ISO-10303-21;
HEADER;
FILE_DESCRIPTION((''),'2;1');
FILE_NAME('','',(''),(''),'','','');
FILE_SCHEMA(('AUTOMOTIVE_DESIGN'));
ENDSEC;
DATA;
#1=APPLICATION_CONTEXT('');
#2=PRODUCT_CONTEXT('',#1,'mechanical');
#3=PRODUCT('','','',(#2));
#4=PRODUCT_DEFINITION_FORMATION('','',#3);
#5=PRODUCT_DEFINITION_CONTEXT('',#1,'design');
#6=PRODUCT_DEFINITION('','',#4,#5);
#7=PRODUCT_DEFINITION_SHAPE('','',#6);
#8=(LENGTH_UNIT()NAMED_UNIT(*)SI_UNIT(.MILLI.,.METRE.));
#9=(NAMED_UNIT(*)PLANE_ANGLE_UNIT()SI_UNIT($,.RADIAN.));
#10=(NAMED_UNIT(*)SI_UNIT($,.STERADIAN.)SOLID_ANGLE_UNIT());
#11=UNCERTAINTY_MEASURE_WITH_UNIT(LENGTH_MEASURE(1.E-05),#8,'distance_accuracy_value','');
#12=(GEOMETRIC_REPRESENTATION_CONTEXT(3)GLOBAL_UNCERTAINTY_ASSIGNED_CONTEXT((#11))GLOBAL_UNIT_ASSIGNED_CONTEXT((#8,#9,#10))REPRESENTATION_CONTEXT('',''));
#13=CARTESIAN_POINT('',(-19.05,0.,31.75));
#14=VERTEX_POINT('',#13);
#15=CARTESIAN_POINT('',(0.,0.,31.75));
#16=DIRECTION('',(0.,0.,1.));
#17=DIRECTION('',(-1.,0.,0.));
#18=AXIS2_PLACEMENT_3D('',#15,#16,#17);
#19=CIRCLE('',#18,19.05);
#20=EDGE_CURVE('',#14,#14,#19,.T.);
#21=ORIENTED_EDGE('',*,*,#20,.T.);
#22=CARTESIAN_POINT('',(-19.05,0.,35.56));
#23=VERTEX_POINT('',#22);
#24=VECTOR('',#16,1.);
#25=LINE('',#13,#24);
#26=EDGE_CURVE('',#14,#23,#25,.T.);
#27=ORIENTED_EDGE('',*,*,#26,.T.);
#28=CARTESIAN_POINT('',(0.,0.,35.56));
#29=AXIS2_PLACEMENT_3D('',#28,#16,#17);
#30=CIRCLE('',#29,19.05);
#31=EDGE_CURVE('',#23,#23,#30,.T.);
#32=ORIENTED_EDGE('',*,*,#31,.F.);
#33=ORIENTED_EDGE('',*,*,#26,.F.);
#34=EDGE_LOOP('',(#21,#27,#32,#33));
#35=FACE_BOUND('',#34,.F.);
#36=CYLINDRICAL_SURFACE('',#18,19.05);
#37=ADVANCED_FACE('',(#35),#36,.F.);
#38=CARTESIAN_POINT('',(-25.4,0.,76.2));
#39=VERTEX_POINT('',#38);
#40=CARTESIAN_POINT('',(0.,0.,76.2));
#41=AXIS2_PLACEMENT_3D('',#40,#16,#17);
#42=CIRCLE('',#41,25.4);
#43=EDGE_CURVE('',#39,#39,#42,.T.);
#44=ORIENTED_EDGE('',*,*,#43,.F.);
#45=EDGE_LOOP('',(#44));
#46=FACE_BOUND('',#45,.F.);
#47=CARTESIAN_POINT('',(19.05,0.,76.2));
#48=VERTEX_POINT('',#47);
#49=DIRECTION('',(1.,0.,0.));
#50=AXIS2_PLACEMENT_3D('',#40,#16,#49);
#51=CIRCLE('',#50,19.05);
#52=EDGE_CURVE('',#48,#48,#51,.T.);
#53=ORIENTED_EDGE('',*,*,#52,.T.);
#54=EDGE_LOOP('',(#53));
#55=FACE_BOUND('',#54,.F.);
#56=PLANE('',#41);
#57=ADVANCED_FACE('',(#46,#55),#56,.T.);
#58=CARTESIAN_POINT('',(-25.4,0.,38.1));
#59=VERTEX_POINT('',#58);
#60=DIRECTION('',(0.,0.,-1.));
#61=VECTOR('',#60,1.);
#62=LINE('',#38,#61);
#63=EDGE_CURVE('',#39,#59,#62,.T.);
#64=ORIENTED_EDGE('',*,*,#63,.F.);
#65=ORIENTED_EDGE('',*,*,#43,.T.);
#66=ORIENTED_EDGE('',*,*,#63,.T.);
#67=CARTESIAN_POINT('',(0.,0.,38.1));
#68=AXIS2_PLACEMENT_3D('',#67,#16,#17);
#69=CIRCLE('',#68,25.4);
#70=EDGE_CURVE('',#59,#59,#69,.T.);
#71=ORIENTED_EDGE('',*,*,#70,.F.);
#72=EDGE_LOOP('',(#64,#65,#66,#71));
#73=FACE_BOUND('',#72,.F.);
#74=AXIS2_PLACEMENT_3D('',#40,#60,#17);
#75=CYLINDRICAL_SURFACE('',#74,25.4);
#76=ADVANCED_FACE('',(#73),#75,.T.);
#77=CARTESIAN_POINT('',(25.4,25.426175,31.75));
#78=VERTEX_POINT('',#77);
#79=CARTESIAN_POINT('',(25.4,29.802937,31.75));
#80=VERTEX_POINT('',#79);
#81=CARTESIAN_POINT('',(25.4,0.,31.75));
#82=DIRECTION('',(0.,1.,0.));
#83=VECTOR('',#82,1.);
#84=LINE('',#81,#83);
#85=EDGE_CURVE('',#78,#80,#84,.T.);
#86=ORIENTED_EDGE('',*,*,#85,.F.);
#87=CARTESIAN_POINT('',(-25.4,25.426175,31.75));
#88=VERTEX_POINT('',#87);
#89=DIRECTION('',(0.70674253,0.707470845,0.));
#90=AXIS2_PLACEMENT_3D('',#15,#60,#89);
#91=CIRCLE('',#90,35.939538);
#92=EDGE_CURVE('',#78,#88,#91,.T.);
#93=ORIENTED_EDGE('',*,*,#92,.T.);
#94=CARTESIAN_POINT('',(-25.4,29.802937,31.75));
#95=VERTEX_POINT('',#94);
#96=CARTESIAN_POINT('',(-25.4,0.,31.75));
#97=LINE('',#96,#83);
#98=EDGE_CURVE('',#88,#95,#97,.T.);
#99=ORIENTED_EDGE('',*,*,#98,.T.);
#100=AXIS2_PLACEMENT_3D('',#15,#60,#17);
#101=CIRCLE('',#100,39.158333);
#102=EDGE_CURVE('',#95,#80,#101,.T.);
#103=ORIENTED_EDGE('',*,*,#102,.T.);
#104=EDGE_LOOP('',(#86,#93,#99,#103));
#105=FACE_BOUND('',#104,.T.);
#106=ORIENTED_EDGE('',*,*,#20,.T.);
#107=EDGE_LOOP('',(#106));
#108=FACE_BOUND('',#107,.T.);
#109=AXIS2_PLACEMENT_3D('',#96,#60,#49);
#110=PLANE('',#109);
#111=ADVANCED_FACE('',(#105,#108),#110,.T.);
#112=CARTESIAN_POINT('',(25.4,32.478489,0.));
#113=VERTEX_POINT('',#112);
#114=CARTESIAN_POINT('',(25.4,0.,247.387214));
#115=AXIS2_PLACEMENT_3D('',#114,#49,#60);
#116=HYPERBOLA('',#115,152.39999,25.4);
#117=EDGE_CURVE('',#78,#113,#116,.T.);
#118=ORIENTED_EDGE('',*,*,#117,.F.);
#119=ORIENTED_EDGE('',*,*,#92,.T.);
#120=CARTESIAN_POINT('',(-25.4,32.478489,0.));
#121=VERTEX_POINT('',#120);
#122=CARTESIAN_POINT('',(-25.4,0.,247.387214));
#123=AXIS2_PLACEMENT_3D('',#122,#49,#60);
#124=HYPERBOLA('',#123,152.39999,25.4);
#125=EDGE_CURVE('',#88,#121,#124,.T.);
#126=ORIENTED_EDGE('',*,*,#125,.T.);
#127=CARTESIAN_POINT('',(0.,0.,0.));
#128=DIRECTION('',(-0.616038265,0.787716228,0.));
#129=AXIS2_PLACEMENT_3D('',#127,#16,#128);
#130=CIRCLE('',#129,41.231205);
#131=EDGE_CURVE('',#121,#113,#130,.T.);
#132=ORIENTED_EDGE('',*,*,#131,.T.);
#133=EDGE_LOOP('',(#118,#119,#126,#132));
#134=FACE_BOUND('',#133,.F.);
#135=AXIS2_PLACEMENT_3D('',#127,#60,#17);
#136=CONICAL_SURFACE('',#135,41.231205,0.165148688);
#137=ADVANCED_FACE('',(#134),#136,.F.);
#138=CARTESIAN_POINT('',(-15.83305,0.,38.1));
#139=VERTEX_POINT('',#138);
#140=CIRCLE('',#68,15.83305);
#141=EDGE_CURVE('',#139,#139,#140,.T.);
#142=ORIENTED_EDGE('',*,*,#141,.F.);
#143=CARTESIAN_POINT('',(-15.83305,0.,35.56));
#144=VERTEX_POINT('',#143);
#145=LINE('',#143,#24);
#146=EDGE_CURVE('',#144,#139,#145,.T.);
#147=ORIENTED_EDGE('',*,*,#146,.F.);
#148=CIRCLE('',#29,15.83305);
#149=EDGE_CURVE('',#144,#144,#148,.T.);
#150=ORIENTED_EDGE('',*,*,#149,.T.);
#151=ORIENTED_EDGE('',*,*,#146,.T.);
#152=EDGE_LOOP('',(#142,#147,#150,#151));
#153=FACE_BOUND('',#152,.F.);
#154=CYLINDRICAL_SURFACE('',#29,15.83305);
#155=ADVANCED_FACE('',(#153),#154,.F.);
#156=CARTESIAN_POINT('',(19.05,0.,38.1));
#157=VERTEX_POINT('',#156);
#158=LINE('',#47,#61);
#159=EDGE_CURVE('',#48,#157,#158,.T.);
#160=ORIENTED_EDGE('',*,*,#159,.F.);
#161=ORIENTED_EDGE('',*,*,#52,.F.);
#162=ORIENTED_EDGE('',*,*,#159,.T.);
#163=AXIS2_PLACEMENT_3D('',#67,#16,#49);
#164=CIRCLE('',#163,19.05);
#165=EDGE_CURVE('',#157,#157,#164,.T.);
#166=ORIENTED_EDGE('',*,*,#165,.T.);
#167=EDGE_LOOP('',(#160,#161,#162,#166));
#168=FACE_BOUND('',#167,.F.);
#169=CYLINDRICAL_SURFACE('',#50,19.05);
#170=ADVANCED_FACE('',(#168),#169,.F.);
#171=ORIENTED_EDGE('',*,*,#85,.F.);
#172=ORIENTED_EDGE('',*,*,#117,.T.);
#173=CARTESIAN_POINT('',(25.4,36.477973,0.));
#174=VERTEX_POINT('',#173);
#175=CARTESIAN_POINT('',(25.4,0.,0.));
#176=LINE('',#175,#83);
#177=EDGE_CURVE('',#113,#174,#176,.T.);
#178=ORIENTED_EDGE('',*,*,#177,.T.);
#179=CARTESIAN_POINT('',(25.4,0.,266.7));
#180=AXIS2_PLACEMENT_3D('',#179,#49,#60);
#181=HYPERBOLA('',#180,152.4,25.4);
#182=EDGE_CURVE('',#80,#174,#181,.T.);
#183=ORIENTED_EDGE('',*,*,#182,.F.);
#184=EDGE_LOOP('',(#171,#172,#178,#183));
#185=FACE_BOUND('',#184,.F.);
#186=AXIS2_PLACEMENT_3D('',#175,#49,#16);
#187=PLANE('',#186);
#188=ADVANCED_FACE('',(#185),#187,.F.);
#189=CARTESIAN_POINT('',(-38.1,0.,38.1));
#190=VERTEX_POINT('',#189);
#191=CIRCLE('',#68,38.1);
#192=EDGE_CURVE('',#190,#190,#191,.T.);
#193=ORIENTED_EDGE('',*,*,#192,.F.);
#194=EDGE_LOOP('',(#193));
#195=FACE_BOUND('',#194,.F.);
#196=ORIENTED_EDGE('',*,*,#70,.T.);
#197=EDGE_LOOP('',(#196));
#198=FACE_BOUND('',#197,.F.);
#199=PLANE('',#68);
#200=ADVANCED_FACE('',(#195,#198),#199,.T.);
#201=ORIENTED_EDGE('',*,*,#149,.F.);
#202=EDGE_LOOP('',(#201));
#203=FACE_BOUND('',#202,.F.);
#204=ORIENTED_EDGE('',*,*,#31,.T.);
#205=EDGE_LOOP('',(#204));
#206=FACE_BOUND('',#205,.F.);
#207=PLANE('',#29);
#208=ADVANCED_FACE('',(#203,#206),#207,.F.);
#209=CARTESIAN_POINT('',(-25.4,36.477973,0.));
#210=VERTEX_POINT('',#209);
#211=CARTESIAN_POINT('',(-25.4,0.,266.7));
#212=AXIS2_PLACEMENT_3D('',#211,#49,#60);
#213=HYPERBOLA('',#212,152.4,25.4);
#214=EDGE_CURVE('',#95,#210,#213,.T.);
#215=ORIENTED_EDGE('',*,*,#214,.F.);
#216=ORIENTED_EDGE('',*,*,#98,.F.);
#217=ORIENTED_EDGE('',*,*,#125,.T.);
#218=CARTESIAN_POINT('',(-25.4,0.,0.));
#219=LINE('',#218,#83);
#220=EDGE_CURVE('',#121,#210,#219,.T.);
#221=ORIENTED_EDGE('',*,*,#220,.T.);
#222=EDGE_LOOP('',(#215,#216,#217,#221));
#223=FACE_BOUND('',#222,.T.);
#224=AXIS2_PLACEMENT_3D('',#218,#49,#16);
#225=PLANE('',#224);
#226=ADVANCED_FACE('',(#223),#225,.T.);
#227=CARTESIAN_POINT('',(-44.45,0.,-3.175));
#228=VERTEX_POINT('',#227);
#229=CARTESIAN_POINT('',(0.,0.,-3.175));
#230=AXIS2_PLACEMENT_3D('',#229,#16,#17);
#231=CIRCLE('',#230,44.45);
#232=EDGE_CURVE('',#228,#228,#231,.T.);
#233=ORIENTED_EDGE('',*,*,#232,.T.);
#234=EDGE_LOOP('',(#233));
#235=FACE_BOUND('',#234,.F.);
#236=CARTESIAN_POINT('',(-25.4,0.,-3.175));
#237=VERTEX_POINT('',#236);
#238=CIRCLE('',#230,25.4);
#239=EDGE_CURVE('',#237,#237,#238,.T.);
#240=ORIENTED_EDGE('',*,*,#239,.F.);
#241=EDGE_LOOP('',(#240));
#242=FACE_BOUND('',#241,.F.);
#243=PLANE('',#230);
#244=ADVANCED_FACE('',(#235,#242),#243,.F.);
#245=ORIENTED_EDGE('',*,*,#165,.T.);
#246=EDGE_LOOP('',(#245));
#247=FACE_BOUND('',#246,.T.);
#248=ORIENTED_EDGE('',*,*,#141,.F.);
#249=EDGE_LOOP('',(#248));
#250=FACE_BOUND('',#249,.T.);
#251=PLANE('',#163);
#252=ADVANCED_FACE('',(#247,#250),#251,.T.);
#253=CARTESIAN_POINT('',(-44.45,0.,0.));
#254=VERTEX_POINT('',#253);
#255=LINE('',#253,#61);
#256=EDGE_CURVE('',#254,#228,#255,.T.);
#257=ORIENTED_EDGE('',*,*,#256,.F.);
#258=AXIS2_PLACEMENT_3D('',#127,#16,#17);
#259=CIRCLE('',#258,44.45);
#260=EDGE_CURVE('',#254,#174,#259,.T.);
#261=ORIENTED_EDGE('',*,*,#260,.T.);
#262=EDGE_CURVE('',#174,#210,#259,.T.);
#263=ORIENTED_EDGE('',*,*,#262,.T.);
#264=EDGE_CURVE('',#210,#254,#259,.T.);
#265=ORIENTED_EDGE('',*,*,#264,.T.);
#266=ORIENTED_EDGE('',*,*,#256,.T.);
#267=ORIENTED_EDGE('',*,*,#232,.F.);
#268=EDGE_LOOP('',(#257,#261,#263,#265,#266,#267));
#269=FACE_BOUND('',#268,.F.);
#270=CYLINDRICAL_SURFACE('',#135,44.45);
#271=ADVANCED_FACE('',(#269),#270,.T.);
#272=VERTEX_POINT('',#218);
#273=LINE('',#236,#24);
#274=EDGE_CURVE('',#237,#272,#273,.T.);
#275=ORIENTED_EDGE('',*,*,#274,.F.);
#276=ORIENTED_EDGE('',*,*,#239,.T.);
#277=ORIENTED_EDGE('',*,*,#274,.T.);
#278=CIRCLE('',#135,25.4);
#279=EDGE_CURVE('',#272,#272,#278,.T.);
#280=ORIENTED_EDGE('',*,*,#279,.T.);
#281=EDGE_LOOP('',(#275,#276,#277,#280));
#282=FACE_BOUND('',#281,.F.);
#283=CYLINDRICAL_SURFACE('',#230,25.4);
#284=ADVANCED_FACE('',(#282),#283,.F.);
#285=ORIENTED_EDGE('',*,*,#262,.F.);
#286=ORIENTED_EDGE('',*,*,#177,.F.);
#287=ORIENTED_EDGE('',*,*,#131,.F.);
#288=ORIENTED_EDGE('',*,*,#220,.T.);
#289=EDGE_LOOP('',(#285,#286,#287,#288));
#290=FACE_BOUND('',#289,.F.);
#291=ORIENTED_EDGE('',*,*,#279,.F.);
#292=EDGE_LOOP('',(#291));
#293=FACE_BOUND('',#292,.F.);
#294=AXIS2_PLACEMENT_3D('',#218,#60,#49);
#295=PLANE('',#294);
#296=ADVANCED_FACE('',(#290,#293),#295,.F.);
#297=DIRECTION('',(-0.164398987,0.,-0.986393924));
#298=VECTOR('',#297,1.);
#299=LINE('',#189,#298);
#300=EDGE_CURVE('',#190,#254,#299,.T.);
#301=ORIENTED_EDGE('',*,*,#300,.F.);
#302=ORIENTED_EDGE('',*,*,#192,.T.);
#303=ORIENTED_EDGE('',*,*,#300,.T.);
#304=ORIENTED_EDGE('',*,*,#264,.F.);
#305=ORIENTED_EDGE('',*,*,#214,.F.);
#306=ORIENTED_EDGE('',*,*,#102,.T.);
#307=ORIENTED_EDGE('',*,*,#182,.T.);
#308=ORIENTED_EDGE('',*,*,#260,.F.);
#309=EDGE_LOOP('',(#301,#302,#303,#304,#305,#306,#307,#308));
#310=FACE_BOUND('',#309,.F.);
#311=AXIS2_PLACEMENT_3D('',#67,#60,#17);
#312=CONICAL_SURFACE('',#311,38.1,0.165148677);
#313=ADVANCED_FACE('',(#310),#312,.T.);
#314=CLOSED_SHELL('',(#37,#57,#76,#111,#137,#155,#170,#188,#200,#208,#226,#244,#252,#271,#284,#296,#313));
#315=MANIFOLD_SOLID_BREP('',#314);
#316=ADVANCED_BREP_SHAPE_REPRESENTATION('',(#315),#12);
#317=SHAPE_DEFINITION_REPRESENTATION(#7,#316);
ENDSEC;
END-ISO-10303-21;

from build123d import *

# Parameters (mm, degrees)
F2_W     = 50.8
F2_H     = 31.75
F3_DEPTH = 44.451
F4_R     = 19.05
F5_DEPTH = 38.1


with BuildPart() as f1:
    # F0 (on Front) → F1 (revolve)
    with BuildSketch(Plane.XZ):
        Polygon((-38.1, 38.1), (-44.45, 0), (-44.45, -3.175), (-25.4, -3.175), (-25.4, 0), (-41.231205, 0), (-35.939538, 31.75), (-19.05, 31.75), (-19.05, 35.56), (-15.83305, 35.56), (-15.83305, 76.2), (-25.4, 76.2), (-25.4, 38.1), align=None)
    revolve(axis=Axis((0, 0, 192.978986), (0, 0, 1)))

    # F2 (on Front) → F3 (cut, through all)
    with BuildSketch(Plane.XZ):
        with Locations((0, 15.875)):
            Rectangle(F2_W, F2_H)
    extrude(amount=-F3_DEPTH, mode=Mode.SUBTRACT)

    # F4 (on face) → F5 (cut)
    with BuildSketch(Plane.XY.offset(76.2)):
        Circle(F4_R)
    extrude(amount=-F5_DEPTH, mode=Mode.SUBTRACT)


solid = f1.part
